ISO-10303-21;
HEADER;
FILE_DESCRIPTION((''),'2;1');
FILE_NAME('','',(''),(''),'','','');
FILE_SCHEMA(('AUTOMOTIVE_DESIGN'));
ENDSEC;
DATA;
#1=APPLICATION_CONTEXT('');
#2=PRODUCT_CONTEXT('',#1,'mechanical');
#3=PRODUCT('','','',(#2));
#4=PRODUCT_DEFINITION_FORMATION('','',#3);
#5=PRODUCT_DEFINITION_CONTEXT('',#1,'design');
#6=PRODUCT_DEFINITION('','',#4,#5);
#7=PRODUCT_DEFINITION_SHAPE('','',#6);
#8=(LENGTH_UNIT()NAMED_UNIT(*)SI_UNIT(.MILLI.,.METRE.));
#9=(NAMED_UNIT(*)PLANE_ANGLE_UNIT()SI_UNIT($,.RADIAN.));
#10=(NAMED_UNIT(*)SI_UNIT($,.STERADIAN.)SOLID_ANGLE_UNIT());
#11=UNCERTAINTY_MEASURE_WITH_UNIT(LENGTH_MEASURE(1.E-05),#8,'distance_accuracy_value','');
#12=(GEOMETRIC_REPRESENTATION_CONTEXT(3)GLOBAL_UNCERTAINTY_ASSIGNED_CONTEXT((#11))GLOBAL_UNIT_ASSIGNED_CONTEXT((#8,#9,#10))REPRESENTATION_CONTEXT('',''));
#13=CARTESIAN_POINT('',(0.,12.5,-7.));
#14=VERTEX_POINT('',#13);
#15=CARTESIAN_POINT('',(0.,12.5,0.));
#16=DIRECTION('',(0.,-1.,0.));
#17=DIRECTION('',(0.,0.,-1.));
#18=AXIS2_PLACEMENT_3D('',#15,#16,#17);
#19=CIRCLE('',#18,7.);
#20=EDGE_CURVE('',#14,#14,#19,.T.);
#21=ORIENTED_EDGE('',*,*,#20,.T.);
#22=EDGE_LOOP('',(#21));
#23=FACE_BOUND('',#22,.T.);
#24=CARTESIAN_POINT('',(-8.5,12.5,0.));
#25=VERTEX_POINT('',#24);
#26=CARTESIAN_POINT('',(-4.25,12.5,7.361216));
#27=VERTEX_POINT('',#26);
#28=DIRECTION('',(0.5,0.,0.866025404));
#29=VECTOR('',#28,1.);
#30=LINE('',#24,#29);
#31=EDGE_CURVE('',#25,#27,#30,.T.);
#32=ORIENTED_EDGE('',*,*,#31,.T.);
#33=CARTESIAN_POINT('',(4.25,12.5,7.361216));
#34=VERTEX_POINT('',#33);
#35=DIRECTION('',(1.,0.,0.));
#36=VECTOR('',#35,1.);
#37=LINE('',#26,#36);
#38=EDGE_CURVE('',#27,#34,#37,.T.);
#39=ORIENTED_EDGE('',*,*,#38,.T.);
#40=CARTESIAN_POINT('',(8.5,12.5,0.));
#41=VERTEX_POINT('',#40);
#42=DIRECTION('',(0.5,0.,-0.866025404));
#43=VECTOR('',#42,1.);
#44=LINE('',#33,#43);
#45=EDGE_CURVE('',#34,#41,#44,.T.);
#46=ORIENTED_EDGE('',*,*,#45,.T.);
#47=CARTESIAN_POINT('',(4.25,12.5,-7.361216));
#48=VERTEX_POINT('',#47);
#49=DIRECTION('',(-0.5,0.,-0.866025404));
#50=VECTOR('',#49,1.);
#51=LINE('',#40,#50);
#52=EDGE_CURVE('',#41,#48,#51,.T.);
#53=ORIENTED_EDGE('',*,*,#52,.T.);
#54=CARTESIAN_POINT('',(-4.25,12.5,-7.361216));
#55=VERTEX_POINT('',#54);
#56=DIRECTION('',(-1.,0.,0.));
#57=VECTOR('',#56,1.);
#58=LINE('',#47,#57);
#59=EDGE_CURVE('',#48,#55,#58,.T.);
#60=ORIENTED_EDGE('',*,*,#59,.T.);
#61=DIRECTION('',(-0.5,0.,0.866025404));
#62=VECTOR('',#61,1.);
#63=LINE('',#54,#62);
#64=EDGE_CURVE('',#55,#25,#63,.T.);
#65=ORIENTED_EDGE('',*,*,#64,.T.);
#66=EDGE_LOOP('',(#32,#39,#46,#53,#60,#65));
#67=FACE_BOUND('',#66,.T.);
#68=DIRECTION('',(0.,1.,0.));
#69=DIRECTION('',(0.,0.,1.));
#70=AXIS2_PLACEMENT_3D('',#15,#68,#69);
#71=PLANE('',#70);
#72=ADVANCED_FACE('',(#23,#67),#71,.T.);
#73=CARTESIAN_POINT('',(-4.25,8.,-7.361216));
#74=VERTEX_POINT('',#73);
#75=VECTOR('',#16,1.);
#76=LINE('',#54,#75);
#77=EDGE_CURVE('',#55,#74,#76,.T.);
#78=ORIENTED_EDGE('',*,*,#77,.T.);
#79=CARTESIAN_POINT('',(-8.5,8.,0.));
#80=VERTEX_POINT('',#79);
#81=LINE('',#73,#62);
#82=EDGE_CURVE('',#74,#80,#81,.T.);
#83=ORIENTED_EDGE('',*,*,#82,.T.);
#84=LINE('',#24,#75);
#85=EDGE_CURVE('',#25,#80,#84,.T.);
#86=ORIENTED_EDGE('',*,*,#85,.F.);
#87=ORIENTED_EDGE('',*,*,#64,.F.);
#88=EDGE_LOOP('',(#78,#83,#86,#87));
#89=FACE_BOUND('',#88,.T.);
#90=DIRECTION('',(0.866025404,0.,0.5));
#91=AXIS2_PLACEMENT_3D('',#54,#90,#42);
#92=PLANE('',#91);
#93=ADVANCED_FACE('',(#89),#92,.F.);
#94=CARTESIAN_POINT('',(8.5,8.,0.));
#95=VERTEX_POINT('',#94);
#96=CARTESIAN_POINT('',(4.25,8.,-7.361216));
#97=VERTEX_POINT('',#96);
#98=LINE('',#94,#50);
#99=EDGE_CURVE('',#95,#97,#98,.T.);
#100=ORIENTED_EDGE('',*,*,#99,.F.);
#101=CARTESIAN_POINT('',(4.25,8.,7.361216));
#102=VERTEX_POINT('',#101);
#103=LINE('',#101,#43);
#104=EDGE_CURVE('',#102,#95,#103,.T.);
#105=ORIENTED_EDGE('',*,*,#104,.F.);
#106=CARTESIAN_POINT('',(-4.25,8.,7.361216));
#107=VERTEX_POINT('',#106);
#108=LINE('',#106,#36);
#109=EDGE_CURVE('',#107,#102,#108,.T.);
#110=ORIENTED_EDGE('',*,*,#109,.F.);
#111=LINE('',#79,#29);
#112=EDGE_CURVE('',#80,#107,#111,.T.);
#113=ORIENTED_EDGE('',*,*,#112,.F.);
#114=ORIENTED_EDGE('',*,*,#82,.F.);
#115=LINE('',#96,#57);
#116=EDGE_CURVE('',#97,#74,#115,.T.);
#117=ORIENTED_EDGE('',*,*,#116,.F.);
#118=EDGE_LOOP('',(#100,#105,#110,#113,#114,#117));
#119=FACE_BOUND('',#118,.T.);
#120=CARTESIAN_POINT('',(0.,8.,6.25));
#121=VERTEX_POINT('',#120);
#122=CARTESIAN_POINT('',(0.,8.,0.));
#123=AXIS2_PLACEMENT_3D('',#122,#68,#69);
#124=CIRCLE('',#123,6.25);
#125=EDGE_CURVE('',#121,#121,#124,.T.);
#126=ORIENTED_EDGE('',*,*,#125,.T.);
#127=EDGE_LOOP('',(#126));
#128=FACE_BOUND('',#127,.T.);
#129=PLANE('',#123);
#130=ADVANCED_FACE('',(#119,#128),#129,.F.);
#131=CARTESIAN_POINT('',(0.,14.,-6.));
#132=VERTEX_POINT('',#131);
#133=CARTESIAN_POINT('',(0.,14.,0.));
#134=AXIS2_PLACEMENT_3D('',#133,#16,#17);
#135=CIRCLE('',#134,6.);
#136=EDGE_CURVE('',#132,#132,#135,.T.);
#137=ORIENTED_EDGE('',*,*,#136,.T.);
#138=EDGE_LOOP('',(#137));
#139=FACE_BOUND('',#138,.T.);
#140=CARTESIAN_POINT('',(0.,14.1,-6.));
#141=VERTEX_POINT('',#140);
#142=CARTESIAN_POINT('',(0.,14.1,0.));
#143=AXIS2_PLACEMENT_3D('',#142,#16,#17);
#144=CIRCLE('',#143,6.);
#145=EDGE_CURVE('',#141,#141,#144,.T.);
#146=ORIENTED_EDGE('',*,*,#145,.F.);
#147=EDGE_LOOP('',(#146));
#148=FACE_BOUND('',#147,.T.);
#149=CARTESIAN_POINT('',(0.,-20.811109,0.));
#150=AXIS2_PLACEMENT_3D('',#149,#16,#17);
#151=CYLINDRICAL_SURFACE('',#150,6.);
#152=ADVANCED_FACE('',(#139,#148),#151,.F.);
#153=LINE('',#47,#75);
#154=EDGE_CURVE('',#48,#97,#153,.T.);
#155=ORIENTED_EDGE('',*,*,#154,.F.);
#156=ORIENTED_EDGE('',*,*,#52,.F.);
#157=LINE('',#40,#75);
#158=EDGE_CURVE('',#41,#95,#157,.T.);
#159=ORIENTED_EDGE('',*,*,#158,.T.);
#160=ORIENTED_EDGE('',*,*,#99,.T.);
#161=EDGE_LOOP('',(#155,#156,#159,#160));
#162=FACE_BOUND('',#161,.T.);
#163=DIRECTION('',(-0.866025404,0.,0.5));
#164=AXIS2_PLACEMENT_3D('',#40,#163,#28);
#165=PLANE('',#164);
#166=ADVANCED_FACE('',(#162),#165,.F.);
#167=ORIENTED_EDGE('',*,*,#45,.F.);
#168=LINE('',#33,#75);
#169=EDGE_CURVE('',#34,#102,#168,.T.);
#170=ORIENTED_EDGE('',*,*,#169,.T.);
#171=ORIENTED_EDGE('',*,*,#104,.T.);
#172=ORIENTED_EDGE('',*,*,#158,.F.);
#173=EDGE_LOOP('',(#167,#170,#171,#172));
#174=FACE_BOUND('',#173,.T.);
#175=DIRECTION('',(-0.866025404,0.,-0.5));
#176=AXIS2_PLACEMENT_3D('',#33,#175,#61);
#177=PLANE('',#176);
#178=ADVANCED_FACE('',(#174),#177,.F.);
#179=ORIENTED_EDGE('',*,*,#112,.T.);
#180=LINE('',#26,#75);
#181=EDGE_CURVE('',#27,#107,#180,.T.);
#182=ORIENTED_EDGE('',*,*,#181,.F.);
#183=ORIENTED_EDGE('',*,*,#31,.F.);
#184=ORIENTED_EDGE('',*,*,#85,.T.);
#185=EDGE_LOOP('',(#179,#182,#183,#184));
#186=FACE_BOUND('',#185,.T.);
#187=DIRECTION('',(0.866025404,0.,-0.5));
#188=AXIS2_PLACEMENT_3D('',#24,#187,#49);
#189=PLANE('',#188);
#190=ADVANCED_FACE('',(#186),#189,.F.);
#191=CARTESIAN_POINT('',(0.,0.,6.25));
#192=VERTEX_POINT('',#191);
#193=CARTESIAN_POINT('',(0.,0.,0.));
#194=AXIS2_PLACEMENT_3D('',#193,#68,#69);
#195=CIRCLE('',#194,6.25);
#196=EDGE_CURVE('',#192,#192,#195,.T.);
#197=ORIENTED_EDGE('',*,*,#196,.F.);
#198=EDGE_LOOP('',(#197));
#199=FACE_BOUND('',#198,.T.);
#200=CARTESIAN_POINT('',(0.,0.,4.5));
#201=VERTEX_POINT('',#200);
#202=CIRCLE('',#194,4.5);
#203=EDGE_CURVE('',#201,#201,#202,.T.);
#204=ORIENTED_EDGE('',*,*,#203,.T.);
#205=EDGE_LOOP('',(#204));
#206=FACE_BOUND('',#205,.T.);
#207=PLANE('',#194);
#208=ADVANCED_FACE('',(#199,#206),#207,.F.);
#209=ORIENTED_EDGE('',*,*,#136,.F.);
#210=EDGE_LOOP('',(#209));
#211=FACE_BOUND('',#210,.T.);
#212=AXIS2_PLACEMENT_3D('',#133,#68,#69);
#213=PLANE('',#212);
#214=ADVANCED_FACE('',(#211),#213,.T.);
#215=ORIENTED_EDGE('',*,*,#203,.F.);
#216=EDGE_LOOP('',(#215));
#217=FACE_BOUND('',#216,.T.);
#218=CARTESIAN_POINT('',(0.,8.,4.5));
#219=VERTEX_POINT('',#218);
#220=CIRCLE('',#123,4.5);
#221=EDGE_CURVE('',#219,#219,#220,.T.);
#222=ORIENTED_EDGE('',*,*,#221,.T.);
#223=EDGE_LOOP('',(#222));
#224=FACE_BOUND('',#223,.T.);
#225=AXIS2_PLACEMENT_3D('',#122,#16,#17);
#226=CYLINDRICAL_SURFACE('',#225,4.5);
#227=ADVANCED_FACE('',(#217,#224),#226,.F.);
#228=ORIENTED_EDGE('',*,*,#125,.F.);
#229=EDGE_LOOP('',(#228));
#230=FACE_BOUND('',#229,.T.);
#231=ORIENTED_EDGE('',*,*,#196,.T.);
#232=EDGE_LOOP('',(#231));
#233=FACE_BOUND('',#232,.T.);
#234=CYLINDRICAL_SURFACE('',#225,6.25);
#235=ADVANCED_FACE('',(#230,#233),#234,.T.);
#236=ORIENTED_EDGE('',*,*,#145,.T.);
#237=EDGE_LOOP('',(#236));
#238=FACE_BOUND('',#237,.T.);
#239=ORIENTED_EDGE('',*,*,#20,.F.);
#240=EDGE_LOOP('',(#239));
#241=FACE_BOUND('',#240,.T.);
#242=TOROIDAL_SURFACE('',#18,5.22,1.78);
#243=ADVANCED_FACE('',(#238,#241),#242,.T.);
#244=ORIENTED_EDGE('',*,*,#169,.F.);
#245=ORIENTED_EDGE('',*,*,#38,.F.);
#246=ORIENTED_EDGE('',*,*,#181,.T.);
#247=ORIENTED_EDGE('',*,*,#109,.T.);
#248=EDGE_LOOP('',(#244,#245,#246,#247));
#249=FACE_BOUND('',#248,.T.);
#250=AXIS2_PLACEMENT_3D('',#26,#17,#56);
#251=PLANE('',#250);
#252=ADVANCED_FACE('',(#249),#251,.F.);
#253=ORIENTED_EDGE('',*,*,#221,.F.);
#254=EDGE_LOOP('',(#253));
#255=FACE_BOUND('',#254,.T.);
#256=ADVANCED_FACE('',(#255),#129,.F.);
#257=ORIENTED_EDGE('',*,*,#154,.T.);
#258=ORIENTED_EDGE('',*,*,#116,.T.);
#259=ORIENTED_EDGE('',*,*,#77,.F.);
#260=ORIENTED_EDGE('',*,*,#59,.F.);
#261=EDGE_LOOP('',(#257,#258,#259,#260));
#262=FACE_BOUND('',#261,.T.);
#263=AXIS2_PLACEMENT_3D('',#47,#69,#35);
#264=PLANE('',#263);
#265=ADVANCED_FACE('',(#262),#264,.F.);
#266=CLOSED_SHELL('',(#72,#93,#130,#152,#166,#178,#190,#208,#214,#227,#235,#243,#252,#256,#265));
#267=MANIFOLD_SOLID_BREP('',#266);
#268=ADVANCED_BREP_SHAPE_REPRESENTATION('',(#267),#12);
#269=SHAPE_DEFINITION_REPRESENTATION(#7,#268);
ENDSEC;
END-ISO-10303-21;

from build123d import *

# Parameters (mm, degrees)
SKETCH_1_R      = 6.25
SKETCH_1_R_2    = 4.5
EXTRUDE_1_DEPTH = 8
EXTRUDE_2_DEPTH = 4.5


with BuildPart() as part:
    # 草图1 → 凸台-拉伸1 (new body)
    with BuildSketch(Plane(origin=(0, 0, 0), x_dir=(1, 0, 0), z_dir=(0, 1, 0))):
        with Locations(Location((0, 0, 0), (0, 0, 270))):
            Circle(SKETCH_1_R)
        with Locations(Location((0, 0, 0), (0, 0, 270))):
            Circle(SKETCH_1_R_2, mode=Mode.SUBTRACT)
    extrude(amount=EXTRUDE_1_DEPTH)

    # 草图2 → 凸台-拉伸2 (add)
    with BuildSketch(Plane(origin=(0, 8, 0), x_dir=(1, 0, 0), z_dir=(0, 1, 0))):
        Polygon((4.25, 7.361215932), (-4.25, 7.361215932), (-8.5, 0), (-4.25, -7.361215932), (4.25, -7.361215932), (8.5, 0), align=None)
    extrude(amount=EXTRUDE_2_DEPTH)

    # 草图3 → 旋转1 (revolve)
    with BuildSketch(Plane.XY, mode=Mode.PRIVATE) as revolve_1_sk:
        with BuildLine():
            ThreePointArc((6, 14.1), (6.729436981, 13.443398113), (7, 12.5))
            Line((7, 12.5), (0, 12.5))
            Line((0, 12.5), (0, 14))
            Line((0, 14), (6, 14))
            Line((6, 14), (6, 14.1))
        make_face()
    revolve(revolve_1_sk.sketch.rotate(Axis((0, -20.81110882, 0), (0, 1, 0)), 90), axis=Axis((0, -20.81110882, 0), (0, 1, 0)))


solid = part.part
